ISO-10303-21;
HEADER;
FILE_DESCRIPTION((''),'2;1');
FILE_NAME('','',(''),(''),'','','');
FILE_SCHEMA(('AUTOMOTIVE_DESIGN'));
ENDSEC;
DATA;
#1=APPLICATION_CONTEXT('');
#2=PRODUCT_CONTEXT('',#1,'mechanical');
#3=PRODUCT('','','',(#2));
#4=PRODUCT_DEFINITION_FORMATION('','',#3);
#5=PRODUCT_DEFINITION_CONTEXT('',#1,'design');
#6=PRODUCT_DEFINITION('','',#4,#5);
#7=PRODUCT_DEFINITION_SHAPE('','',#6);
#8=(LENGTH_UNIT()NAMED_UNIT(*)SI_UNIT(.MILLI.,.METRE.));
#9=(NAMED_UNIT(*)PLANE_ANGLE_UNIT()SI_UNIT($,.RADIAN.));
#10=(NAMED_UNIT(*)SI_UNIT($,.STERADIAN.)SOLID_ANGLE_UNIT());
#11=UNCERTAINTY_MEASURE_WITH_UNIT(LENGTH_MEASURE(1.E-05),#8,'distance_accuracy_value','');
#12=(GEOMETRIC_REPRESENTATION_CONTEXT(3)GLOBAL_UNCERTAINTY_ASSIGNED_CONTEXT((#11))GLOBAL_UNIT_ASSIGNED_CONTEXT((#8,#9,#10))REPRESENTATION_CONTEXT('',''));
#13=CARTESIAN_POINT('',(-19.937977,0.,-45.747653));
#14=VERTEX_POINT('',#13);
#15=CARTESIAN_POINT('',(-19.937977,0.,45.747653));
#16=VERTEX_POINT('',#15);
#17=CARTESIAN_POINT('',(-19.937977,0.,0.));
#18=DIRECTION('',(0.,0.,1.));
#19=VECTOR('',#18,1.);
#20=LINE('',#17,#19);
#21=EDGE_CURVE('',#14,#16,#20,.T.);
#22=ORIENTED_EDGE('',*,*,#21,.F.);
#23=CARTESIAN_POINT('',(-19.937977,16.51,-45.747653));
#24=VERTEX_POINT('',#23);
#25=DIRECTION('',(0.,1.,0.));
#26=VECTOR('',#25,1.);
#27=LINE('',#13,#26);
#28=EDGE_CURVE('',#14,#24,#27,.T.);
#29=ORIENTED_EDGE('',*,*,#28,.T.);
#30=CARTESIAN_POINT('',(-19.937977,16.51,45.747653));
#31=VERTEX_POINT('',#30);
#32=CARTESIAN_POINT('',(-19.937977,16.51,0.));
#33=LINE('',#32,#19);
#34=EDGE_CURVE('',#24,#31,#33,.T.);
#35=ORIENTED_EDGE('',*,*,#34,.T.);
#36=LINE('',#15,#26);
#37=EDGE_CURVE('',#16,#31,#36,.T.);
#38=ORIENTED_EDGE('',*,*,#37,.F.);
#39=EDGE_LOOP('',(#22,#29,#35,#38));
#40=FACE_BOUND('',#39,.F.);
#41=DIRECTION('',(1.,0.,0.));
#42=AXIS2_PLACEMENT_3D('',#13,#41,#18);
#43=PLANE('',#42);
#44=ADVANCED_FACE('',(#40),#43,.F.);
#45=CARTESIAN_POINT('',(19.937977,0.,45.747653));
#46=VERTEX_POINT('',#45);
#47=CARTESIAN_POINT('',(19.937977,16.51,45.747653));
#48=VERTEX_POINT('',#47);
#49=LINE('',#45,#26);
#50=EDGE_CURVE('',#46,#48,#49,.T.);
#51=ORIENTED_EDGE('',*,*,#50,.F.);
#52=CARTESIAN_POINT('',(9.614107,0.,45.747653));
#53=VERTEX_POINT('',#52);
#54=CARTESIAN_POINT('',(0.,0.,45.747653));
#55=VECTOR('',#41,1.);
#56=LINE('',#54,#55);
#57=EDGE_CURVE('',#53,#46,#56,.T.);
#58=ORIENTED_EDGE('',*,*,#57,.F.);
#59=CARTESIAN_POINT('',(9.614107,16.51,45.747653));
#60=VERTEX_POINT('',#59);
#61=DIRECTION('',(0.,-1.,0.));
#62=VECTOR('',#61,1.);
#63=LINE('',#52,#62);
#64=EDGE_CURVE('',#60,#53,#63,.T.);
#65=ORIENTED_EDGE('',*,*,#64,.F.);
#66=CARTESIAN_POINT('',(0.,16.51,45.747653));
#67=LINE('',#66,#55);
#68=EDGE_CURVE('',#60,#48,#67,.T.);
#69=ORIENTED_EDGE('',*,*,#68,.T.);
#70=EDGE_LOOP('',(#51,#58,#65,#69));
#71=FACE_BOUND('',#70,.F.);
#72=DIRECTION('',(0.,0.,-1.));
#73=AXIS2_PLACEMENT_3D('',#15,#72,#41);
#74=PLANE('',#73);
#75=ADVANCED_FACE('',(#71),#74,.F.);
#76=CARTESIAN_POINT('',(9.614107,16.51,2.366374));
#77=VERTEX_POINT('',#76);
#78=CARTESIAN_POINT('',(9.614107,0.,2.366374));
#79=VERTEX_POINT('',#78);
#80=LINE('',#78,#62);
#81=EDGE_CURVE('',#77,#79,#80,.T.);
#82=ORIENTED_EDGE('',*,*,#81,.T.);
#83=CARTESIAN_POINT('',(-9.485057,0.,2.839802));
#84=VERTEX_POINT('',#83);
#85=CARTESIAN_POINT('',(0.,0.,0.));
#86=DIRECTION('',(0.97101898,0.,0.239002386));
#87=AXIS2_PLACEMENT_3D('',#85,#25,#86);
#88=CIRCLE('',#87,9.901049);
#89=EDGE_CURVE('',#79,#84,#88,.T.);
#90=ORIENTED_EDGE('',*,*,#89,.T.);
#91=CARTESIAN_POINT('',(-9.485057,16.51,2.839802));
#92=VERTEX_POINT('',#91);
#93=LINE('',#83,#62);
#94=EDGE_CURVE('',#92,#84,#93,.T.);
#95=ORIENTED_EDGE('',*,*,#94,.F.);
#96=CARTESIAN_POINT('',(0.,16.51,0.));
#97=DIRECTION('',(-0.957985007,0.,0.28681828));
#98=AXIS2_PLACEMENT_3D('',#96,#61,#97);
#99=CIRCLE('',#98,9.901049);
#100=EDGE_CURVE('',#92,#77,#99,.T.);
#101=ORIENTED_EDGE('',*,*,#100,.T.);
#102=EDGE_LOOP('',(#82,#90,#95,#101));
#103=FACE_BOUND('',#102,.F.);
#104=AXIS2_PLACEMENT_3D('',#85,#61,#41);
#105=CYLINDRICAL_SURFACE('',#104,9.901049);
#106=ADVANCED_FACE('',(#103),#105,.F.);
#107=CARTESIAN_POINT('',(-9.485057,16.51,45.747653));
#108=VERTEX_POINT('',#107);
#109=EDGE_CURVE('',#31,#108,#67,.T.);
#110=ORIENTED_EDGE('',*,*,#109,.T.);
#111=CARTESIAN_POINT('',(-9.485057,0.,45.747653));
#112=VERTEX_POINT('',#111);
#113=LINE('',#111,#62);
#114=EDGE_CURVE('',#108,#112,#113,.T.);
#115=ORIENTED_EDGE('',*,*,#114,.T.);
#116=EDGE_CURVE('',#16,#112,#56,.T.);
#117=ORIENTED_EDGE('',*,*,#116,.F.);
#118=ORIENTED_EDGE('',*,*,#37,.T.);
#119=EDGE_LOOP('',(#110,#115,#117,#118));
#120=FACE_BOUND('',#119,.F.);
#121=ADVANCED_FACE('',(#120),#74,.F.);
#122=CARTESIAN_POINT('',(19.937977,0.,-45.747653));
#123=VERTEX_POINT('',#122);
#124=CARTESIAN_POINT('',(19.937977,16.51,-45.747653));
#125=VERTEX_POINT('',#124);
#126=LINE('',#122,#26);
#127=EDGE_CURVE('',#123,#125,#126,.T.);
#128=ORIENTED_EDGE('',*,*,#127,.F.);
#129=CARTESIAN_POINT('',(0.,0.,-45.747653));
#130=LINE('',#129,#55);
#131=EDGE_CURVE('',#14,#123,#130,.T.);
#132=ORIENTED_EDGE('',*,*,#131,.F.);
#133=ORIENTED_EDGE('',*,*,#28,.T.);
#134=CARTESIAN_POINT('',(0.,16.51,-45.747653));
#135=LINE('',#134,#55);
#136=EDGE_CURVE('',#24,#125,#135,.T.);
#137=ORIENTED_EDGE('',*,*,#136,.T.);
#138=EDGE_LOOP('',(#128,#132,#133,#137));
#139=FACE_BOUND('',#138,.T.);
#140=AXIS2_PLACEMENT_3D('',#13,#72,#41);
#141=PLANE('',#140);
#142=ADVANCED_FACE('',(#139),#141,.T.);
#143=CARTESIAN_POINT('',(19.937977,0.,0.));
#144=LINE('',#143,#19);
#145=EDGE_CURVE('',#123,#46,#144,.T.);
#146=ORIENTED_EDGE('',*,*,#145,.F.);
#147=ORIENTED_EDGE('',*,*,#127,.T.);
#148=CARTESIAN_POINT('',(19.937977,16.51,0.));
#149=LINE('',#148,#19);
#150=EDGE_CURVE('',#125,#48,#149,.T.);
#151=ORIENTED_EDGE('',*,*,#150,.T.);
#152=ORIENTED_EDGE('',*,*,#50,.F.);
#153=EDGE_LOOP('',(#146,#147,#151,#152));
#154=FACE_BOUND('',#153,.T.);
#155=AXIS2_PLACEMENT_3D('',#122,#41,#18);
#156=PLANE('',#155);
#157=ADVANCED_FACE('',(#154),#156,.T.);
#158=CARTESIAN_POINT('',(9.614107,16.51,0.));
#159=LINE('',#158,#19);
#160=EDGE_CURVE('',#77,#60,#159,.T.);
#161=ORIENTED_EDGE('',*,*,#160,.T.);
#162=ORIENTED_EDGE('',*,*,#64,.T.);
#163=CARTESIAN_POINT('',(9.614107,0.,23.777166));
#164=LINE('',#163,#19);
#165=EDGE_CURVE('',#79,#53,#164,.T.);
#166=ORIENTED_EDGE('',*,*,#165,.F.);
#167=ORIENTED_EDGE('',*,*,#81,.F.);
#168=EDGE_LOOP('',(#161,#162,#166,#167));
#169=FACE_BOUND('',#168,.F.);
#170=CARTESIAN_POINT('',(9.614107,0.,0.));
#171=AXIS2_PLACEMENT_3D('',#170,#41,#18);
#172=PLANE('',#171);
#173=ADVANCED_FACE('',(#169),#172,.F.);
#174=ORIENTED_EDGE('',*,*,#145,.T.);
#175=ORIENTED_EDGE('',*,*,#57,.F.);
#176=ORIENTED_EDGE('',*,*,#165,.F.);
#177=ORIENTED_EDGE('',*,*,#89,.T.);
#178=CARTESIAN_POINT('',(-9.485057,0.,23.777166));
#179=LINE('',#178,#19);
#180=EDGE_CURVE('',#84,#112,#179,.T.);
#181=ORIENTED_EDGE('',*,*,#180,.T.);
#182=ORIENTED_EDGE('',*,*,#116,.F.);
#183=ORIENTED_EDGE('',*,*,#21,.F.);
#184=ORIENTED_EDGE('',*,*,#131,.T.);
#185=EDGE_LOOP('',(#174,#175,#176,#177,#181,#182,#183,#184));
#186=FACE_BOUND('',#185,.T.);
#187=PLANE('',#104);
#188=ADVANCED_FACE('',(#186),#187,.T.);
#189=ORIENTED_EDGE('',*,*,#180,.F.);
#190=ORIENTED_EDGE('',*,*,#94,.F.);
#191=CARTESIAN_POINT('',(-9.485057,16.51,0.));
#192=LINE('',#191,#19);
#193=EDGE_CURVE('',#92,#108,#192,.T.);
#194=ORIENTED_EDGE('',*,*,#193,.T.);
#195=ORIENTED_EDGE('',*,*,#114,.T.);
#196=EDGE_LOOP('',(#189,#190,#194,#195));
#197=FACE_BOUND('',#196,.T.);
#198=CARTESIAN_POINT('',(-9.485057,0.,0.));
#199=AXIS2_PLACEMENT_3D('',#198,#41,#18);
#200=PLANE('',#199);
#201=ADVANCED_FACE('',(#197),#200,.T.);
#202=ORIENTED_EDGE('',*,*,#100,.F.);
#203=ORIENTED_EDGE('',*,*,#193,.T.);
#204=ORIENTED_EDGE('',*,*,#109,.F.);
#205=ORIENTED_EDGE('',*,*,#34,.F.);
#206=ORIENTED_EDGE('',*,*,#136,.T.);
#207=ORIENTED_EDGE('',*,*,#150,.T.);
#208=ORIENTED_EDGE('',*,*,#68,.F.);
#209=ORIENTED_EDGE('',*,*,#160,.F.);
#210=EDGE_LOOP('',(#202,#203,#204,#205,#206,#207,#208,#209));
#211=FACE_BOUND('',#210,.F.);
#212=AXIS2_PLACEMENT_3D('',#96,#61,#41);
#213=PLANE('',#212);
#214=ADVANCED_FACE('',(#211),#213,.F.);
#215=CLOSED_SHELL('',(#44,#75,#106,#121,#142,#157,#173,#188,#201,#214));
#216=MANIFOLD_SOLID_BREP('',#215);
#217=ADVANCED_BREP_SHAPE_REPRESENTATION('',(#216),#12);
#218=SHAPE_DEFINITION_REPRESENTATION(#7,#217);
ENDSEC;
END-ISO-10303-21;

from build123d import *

# Parameters (mm, degrees)
F0_W     = 39.875954
F0_H     = 91.495306
F1_DEPTH = 16.51
F2_R     = 9.901049
F3_DEPTH = 39.878
F4_W     = 19.099163
F4_H     = 47.554333
F5_DEPTH = 25.4


with BuildPart() as f1:
    # F0 (on Front) → F1 (new body)
    with BuildSketch(Plane.XZ):
        Rectangle(F0_W, F0_H)
    extrude(amount=-F1_DEPTH)

    # F2 (on face) → F3 (cut)
    with BuildSketch(Plane.XZ):
        Circle(F2_R)
    extrude(amount=-F3_DEPTH, mode=Mode.SUBTRACT)

    # F4 (on Front) → F5 (cut)
    with BuildSketch(Plane.XZ):
        with Locations((0.064525, 23.777166)):
            Rectangle(F4_W, F4_H)
    extrude(amount=-F5_DEPTH, mode=Mode.SUBTRACT)


solid = f1.part
